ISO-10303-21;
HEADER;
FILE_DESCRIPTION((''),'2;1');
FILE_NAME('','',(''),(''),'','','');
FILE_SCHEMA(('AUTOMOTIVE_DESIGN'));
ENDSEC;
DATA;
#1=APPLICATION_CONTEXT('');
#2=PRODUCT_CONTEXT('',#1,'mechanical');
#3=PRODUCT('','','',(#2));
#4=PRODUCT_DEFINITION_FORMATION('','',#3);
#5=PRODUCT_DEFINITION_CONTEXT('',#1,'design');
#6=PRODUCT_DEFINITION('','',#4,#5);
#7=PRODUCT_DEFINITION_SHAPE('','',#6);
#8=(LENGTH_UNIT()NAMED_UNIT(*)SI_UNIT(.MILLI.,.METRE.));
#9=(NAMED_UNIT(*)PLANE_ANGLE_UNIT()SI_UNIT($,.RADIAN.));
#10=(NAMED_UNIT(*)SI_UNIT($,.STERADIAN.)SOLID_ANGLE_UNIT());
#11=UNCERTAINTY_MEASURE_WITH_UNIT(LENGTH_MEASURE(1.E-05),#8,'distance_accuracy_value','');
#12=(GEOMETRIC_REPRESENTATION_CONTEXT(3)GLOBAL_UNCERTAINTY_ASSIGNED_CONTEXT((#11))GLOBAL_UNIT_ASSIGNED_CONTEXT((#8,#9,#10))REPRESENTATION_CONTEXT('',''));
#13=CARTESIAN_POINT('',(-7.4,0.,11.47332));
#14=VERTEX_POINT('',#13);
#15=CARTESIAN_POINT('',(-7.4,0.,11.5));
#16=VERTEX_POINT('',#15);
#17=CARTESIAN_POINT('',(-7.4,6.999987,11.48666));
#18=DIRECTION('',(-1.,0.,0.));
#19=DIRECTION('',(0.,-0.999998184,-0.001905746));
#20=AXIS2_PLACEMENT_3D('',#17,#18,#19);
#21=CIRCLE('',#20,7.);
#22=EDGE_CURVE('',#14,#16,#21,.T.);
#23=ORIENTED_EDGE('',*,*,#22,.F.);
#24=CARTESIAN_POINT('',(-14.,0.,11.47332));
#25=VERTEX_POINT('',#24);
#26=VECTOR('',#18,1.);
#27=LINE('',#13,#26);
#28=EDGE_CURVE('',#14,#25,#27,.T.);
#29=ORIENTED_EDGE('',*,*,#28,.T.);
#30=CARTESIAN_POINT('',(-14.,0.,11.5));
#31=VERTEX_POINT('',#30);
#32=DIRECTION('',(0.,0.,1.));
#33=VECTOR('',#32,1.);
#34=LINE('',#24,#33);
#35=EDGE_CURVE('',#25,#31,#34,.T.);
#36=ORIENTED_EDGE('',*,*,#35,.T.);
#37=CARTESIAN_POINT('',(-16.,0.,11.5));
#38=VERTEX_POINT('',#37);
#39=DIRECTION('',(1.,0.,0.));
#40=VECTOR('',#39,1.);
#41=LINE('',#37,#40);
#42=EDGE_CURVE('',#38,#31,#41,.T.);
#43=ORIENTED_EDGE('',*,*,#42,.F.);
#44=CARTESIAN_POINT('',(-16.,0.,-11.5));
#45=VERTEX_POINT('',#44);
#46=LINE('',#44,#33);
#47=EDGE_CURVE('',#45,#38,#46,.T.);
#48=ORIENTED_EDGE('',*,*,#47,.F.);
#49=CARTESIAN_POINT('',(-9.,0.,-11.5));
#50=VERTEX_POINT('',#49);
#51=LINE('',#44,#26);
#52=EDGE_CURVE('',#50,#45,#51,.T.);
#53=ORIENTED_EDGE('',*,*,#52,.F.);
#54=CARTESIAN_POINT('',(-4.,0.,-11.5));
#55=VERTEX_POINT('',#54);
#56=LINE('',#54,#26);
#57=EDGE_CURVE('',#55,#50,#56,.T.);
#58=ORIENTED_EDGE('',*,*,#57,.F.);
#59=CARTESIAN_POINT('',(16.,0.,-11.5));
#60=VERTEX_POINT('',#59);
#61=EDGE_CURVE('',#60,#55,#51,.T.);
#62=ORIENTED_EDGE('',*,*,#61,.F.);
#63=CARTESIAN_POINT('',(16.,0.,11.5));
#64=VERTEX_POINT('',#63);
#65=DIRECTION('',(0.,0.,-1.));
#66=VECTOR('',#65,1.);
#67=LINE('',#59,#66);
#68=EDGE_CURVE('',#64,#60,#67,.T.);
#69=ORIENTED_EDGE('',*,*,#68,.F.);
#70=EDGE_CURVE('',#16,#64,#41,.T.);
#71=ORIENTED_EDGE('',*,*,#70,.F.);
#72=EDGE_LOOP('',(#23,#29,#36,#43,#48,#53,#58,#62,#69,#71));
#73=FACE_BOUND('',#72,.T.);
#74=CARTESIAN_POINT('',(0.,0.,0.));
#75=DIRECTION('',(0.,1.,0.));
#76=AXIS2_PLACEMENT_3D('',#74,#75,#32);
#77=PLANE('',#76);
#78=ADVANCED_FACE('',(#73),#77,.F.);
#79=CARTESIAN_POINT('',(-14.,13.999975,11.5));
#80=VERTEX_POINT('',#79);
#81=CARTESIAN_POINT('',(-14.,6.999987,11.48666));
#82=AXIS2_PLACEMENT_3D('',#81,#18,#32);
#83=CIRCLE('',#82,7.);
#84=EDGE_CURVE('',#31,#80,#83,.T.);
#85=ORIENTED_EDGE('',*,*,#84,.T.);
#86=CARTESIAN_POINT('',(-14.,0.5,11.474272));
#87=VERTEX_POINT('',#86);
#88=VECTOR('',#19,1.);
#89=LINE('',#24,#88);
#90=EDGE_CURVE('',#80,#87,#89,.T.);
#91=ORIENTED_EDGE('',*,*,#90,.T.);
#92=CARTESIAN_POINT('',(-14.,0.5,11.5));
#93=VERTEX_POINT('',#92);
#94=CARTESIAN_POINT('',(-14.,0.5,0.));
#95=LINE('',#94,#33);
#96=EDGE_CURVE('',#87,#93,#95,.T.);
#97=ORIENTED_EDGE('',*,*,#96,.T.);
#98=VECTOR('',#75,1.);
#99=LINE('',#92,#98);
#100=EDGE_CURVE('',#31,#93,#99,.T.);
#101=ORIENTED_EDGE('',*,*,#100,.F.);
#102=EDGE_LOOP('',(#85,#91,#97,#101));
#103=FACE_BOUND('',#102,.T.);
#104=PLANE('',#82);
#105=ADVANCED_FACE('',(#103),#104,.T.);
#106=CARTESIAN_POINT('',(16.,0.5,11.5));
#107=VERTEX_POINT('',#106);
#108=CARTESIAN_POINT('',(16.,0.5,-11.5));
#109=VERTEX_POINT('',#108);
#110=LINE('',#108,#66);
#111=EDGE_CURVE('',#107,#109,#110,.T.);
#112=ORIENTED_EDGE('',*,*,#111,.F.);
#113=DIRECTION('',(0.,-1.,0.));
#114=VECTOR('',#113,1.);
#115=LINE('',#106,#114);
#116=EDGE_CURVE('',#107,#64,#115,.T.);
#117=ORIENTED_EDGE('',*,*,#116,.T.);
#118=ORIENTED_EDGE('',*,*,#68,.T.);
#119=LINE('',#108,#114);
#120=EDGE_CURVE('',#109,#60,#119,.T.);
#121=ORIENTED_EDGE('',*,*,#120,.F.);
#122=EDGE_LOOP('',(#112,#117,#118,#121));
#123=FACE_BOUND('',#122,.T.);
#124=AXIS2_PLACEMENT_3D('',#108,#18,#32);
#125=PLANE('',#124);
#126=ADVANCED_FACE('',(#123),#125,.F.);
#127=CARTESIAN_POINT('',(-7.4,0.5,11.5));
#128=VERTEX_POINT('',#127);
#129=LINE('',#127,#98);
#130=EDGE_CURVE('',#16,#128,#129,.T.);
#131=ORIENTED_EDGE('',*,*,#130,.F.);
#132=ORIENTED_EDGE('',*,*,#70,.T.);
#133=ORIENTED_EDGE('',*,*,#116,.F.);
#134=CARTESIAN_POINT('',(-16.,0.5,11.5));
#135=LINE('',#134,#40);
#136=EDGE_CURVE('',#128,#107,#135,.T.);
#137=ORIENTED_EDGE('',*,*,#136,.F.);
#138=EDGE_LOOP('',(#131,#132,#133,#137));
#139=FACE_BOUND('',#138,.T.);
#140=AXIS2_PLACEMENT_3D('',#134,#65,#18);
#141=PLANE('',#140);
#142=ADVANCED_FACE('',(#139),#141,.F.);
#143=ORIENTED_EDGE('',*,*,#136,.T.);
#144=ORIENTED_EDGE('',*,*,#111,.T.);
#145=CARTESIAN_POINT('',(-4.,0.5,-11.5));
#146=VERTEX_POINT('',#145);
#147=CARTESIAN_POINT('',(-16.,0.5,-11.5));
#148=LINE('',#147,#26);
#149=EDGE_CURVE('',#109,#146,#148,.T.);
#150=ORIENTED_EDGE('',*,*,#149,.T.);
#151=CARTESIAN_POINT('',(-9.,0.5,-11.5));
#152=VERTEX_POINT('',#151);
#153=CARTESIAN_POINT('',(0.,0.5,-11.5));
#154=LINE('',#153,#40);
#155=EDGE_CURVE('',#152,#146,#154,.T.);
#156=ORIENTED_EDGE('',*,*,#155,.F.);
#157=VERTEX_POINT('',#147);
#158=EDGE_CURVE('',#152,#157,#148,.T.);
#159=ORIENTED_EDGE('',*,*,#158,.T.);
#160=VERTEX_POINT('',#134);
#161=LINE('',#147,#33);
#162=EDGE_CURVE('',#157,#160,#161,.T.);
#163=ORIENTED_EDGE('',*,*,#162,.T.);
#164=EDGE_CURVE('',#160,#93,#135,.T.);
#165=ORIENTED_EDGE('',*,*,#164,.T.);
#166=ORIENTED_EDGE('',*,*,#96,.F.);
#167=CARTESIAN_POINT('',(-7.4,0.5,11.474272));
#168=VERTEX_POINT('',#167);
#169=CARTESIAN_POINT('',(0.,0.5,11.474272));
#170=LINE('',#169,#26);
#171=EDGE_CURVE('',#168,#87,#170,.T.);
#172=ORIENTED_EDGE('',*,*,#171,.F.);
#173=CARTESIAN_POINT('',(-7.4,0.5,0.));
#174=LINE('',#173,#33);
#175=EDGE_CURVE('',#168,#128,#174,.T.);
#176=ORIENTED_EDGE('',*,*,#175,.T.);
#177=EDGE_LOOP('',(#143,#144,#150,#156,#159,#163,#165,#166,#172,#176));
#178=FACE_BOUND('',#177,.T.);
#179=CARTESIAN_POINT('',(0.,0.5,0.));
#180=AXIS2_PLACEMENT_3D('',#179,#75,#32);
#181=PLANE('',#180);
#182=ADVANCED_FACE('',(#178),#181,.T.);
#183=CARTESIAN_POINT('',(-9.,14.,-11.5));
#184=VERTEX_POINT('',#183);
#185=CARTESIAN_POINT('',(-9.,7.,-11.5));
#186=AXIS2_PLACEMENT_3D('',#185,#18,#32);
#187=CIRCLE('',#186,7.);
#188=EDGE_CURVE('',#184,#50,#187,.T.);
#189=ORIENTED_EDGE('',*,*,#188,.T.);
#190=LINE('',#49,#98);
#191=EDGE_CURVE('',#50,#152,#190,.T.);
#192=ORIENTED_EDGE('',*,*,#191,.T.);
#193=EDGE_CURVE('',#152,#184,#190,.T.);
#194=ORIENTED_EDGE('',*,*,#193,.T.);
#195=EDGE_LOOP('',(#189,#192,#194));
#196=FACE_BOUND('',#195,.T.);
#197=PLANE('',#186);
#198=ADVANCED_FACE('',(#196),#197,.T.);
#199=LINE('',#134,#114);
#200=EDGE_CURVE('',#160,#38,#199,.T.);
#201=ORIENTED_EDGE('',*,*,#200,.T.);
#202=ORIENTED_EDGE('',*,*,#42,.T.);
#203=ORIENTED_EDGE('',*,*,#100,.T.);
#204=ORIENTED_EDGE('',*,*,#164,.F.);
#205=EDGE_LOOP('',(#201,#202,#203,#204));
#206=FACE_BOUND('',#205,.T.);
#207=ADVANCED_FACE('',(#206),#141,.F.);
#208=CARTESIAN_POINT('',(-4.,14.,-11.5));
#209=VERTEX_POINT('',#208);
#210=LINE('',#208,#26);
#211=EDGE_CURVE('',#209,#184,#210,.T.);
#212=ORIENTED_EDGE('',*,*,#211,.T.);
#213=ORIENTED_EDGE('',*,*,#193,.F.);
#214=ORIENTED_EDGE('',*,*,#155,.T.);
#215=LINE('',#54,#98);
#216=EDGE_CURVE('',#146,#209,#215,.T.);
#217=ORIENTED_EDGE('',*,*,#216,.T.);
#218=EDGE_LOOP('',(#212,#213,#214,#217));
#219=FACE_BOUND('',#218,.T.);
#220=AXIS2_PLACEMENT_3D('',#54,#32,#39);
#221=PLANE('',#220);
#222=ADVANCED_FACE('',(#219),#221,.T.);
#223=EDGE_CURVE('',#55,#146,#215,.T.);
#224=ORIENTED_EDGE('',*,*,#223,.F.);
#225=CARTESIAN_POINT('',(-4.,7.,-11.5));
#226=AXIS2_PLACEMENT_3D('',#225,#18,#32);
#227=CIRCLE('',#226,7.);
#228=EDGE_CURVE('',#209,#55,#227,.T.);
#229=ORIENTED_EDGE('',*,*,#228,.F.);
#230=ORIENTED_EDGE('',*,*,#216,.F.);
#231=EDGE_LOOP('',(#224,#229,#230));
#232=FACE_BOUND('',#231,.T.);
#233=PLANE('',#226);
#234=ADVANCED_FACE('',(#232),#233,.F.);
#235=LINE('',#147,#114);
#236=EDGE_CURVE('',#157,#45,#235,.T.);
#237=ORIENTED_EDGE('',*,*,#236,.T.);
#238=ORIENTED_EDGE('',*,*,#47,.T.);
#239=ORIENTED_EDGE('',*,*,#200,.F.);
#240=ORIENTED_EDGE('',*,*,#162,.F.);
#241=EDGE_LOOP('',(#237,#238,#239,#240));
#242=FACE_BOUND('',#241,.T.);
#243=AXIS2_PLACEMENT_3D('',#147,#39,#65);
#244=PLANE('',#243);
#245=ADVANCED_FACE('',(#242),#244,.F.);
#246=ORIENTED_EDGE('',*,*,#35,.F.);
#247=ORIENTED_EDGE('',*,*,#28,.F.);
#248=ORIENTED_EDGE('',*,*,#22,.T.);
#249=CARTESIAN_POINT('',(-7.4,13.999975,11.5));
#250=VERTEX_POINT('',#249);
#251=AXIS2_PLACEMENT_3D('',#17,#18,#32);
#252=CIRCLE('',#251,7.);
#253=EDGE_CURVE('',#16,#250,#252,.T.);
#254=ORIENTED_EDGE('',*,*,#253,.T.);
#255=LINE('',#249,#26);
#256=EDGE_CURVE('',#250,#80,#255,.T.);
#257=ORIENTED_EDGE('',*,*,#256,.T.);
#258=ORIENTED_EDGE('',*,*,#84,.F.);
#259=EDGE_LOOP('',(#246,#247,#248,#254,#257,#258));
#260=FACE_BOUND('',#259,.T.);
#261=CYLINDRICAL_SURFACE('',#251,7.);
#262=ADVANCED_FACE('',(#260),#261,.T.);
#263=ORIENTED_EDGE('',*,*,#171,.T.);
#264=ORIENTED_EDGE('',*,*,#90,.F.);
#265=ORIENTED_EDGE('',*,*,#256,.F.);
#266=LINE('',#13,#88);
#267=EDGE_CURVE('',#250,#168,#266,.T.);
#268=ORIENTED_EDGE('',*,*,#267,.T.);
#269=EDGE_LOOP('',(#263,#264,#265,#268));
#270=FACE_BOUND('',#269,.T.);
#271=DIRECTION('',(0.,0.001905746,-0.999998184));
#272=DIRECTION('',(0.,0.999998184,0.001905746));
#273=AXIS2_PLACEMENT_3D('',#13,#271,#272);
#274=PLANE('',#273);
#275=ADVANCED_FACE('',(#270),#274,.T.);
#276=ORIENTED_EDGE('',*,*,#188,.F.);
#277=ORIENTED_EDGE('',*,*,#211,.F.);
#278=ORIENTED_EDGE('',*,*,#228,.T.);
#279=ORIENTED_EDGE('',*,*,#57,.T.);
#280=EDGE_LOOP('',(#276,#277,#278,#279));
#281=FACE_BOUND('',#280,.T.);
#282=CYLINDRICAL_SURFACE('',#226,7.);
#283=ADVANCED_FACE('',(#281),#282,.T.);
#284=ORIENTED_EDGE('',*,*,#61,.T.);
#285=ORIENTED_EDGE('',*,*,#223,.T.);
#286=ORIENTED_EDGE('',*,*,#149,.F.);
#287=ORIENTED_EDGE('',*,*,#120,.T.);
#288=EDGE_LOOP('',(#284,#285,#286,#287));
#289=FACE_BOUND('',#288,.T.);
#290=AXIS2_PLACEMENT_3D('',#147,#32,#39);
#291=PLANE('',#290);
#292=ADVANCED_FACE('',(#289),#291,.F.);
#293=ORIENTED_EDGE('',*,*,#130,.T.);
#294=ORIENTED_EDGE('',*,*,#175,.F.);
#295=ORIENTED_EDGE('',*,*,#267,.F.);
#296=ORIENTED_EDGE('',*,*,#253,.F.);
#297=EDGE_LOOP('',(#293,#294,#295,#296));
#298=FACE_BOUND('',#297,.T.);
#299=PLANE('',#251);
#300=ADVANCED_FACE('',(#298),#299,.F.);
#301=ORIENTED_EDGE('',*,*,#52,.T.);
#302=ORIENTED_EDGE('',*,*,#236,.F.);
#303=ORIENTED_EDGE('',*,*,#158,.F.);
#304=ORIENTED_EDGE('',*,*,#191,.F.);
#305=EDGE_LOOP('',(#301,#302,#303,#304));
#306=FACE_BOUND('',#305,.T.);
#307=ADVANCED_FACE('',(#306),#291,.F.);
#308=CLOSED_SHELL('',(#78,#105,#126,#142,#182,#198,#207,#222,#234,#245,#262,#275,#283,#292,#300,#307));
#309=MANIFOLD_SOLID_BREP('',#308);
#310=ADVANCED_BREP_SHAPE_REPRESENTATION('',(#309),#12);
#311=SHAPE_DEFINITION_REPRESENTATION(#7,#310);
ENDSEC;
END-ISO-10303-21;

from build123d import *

# Parameters (mm, degrees)
SKETCH_1_W      = 32
SKETCH_1_H      = 23
EXTRUDE_1_DEPTH = 0.5
EXTRUDE_3_DEPTH = 5
EXTRUDE_4_DEPTH = 6.6


with BuildPart() as part:
    # 草图1 → 凸台-拉伸1 (new body)
    with BuildSketch(Plane(origin=(0, 0, 0), x_dir=(1, 0, 0), z_dir=(0, 1, 0))):
        Rectangle(SKETCH_1_W, SKETCH_1_H)
    extrude(amount=EXTRUDE_1_DEPTH)

    # 草图5 → 凸台-拉伸3 (add)
    with BuildSketch(Plane.ZY.offset(9)):
        with BuildLine():
            Line((-11.5, 0), (-11.5, 14))
            ThreePointArc((-11.5, 14), (-18.5, 7), (-11.5, 0))
        make_face()
    extrude(amount=-EXTRUDE_3_DEPTH)

    # 草图7 → 凸台-拉伸4 (add)
    with BuildSketch(Plane.ZY.offset(14)):
        with BuildLine():
            Line((11.473319553, 0), (11.5, 13.999974577))
            ThreePointArc((11.5, 13.999974577), (18.486647065, 6.986647065), (11.473319553, 0))
        make_face()
    extrude(amount=-EXTRUDE_4_DEPTH)


solid = part.part
